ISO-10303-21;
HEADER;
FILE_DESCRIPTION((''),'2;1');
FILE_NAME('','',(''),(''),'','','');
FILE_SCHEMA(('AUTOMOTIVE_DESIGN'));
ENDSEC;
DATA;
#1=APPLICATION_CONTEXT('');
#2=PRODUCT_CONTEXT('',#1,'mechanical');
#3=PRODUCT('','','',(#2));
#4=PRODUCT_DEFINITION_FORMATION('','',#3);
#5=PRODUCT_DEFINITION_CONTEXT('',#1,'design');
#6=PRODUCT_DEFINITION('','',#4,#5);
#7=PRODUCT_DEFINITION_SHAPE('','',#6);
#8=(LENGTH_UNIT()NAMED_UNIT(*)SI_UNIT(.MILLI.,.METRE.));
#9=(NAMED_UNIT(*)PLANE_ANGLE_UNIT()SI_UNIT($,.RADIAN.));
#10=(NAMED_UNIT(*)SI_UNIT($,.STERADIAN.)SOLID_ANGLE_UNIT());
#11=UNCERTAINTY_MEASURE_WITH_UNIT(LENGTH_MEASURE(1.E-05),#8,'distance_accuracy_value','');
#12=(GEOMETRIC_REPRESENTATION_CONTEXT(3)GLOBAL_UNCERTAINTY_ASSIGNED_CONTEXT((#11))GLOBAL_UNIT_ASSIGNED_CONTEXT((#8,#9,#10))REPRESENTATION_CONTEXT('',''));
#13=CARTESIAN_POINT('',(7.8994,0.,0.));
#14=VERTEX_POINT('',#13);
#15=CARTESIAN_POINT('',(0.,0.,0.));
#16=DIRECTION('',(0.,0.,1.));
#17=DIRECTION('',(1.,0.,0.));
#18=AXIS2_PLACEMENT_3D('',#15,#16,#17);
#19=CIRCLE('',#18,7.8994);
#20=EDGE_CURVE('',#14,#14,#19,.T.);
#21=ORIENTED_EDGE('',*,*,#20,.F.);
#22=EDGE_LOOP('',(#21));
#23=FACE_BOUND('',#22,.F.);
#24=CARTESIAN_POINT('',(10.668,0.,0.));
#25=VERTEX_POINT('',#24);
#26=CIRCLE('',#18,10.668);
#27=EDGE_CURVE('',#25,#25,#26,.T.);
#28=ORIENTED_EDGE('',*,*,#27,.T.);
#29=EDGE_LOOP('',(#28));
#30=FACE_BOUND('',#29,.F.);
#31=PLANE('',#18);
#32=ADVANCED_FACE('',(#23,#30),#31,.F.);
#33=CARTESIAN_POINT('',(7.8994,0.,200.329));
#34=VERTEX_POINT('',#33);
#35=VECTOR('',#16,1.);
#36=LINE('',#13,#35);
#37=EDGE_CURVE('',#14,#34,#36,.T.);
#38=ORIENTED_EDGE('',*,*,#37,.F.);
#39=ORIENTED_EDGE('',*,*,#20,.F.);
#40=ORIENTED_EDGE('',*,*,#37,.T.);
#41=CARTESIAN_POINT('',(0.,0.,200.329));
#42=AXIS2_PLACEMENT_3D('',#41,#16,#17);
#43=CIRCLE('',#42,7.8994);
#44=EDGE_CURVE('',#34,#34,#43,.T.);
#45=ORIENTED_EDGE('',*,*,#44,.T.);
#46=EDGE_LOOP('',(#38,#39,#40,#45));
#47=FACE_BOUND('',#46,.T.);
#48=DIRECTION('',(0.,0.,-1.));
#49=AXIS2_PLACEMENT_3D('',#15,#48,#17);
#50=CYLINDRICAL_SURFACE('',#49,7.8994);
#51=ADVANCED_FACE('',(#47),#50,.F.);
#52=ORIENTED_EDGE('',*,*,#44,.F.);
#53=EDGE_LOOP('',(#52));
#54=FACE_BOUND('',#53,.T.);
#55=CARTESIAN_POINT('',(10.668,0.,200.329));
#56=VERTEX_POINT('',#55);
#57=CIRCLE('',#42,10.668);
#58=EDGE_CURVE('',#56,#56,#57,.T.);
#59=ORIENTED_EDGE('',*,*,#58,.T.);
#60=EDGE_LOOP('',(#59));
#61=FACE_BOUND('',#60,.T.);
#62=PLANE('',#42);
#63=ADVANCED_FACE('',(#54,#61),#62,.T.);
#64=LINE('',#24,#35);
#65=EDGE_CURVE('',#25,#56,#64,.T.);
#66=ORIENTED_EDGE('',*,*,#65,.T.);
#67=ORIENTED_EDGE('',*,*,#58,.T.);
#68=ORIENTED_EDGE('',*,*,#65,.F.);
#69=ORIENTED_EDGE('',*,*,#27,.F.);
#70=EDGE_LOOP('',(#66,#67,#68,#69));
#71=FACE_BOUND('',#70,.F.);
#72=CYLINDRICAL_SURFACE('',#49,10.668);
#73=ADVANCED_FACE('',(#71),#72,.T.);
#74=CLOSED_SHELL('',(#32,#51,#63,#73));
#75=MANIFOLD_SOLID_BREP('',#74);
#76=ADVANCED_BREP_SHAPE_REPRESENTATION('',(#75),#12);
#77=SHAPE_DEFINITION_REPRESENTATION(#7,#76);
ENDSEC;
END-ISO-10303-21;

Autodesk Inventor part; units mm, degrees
ref_plane "YZ Plane" through (0, 0, 0) normal (1, 0, 0) x (0, 1, 0)
ref_plane "Start Plane" through (0, 0, 0) normal (0, 0, 1) x (1, 0, 0)
ref_plane "End Plane" through (0, 0, 200.329) normal (0, 0, 1) x (1, 0, 0)
sketch "Sketch" plane through (0, 0, 0) normal (0, 0, 1) x (1, 0, 0)
  circle A0 centre (0, 0) radius 7.8994
  circle A1 centre (0, 0) radius 10.668
  dimension "d0" = 21.336
  dimension "d1" = 2.7686
extrude "Body" add sketch "Sketch" along normal up to surface (200.329 mm away) from surface at 0
sketch "Sketch3" plane through (0, 0, 0) normal (0, 0, 1) x (1, 0, 0)
  line L0 (0, 0) -> (10, 0)
ref_plane "Work Plane3" through (0, 0, 0) normal (0, -1, 0) x (1, 0, 0)
sketch "Sketch4" plane through (0, 0, 0) normal (0, -1, 0) x (1, 0, 0)
  line L0 (-2, 0) -> (12, 0) projected
  line L1 (-2, 200.329) -> (12, 200.329) projected
  dimension "d7" = 200.329
equation "\"d0\" = G_H"
equation "\"d1\" = G_T"
equation "\"d2\" = G_L"
equation "\"G_H\" = 21.336"
equation "\"G_T\" = 2.7686"
equation "\"G_L\" = d7"
equation "\"G_OFFSET_START\" = 0"
equation "\"G_OFFSET_END\" = 0"
equation "\"d5\" = G_OFFSET_END + B_L"
equation "\"B_L\" = 200.32903"
properties part number "ANSI - 1/2 x 0.109 - 7.887" material "Steel, Mild"
